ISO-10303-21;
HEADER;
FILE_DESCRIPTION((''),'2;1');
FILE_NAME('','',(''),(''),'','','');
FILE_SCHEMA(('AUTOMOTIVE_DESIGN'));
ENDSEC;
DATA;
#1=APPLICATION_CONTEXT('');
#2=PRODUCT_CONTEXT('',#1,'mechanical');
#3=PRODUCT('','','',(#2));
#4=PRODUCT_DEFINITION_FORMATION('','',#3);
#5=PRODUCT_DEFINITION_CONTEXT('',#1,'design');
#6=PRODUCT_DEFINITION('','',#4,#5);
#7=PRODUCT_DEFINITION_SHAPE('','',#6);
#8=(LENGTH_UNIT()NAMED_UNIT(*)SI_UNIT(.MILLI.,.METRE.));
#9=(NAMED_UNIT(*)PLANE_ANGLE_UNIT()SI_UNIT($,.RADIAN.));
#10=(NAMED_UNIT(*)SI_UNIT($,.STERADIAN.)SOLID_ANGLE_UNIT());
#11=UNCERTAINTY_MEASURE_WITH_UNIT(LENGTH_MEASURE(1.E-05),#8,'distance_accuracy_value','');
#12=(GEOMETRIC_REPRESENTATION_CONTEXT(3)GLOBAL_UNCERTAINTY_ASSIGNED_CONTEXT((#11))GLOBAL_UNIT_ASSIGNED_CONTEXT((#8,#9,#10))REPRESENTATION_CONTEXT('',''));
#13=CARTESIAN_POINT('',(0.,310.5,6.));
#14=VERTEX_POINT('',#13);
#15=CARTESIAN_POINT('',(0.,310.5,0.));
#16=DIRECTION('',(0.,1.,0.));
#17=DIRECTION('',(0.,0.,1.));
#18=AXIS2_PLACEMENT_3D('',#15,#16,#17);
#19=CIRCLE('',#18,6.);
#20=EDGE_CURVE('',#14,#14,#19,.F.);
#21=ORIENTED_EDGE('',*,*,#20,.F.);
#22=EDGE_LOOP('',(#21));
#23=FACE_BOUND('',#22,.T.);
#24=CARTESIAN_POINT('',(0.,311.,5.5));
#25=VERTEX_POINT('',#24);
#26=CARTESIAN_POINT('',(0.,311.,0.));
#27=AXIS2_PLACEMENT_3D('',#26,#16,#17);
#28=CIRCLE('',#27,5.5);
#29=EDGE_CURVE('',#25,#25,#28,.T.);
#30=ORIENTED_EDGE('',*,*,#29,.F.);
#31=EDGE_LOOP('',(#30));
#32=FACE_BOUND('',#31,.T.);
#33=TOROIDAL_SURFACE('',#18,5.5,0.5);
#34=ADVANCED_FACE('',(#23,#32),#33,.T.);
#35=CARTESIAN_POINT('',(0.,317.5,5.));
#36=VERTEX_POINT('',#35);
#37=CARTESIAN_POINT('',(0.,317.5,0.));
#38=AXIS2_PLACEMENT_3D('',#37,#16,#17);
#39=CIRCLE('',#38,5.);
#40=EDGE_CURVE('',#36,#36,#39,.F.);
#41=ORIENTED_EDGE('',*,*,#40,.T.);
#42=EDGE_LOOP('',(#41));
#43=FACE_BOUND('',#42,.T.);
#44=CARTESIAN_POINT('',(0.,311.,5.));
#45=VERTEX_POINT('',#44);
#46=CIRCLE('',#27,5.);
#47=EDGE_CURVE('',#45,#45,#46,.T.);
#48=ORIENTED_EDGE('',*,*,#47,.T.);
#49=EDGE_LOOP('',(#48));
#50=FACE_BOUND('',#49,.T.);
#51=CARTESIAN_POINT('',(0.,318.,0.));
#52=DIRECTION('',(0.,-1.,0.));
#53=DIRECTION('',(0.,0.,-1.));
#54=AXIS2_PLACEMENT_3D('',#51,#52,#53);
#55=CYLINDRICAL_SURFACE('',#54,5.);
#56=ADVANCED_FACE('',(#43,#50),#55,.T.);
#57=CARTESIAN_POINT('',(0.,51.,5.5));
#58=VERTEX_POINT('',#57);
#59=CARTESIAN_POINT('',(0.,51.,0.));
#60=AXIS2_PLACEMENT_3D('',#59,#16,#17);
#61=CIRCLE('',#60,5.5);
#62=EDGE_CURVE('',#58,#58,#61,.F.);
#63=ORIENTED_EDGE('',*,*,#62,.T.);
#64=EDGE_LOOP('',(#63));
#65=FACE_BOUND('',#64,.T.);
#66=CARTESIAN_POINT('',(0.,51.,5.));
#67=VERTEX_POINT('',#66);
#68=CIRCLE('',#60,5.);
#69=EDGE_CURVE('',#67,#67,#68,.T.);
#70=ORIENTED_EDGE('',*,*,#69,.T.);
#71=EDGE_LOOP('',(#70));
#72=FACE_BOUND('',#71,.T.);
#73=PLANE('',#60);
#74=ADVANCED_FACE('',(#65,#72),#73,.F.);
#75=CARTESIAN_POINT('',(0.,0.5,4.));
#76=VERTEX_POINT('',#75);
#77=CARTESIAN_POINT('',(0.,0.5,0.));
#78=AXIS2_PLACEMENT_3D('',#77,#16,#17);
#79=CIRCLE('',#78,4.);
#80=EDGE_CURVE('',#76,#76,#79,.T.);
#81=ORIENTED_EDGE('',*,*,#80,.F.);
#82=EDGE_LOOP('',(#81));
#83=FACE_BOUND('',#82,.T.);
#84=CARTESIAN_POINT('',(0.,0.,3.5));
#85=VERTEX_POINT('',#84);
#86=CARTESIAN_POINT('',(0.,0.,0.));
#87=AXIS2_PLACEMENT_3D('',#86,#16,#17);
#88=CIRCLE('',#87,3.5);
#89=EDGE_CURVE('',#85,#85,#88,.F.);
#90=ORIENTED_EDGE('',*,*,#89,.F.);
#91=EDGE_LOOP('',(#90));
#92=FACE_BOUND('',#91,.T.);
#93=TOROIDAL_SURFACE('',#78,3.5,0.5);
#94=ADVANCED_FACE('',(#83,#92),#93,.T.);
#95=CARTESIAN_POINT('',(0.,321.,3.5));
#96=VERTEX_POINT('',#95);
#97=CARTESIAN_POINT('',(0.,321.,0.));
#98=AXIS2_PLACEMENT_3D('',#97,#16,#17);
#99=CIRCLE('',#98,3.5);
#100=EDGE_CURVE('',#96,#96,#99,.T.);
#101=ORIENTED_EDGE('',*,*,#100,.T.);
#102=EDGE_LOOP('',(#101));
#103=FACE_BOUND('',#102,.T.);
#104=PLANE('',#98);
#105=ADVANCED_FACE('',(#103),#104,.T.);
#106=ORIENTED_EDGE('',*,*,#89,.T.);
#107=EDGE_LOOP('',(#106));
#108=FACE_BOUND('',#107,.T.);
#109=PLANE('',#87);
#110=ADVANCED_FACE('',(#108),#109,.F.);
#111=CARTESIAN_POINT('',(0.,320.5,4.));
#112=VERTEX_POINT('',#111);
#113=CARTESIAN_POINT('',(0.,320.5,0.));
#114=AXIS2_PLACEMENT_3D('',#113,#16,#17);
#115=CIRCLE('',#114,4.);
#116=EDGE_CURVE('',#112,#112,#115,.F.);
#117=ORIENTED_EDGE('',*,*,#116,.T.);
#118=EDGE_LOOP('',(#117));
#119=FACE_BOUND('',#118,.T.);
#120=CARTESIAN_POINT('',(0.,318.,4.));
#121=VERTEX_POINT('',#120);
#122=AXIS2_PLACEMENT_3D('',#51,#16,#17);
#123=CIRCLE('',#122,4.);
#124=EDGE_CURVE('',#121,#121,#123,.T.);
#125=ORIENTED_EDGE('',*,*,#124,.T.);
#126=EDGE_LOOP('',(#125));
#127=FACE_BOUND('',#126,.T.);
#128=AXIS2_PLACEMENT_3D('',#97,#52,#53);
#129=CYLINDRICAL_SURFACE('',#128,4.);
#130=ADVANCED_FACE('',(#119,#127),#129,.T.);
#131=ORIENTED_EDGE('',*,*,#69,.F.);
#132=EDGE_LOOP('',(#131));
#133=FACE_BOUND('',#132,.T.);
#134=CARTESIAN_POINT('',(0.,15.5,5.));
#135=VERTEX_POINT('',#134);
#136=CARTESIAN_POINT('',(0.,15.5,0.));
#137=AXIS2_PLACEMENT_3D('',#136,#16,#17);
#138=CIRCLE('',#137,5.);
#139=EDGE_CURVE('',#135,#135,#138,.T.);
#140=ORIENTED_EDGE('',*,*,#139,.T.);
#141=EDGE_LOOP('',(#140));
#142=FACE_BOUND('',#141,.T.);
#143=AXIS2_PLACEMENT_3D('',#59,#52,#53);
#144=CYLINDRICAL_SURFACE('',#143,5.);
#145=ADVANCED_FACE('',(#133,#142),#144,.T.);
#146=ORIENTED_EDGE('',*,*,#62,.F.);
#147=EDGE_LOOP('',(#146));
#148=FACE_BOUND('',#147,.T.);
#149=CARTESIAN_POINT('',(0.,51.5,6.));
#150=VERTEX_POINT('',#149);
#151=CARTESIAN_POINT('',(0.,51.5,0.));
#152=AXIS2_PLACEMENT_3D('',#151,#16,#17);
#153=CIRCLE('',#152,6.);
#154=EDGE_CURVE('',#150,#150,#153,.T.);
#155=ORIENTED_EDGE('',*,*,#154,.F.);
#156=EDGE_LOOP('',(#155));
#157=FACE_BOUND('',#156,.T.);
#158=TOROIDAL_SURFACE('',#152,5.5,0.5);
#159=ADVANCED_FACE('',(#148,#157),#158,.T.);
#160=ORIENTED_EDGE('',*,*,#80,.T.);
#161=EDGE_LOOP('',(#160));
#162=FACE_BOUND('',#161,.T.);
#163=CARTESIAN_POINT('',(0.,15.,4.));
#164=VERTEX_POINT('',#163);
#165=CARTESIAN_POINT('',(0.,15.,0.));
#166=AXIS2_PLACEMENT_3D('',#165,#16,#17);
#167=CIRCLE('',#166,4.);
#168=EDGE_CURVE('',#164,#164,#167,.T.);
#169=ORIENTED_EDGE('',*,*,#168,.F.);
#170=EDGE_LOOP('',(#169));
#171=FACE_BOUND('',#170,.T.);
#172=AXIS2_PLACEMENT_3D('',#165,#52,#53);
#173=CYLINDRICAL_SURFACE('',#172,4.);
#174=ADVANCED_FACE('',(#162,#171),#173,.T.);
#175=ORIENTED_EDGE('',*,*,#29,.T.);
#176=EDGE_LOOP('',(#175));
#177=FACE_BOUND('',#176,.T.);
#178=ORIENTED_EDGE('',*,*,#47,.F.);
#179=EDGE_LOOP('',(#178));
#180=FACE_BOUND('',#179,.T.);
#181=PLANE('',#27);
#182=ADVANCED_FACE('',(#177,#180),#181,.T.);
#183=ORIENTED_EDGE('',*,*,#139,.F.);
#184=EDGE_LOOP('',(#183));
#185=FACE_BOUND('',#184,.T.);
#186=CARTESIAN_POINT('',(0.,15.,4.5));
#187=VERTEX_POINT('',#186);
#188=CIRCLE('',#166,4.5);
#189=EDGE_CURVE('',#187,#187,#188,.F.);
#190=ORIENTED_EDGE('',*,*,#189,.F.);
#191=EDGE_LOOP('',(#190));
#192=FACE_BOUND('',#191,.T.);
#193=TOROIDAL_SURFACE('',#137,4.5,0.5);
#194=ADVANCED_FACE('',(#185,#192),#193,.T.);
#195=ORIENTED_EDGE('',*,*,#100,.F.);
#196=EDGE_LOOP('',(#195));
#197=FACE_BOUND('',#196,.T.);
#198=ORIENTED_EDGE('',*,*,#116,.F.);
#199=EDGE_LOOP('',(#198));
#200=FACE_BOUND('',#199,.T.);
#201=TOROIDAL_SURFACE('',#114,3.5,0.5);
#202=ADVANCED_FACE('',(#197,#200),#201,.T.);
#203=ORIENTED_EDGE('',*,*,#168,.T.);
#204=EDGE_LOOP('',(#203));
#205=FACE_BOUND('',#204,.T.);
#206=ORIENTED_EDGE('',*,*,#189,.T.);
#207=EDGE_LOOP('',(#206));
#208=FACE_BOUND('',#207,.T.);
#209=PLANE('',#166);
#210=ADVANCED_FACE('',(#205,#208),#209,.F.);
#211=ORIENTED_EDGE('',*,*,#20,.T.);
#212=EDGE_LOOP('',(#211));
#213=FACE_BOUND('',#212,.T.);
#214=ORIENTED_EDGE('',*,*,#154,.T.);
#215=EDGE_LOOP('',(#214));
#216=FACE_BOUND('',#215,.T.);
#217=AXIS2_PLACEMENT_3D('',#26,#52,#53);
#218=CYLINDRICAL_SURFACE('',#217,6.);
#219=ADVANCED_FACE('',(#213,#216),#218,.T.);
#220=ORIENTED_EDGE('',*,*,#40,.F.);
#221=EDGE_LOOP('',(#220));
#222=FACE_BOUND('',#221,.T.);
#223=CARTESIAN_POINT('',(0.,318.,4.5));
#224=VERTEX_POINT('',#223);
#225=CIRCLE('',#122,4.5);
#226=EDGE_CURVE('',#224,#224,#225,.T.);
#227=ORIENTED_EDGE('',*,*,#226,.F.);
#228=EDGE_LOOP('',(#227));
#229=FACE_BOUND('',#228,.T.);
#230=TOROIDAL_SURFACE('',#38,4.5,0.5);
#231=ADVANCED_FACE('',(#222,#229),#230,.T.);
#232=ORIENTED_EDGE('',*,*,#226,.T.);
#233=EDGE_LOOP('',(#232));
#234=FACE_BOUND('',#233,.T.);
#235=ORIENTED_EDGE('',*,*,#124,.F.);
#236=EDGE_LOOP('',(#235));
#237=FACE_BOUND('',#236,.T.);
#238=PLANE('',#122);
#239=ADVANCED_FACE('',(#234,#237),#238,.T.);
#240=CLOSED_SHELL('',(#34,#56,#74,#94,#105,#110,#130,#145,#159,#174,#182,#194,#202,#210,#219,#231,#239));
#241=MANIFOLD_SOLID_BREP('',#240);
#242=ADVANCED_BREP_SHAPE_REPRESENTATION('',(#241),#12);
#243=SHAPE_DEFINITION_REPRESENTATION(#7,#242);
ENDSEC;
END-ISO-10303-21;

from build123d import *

# Parameters (mm, degrees)
SKETCH_1_R      = 4
EXTRUDE_1_DEPTH = 15
SKETCH_2_R      = 5
EXTRUDE_2_DEPTH = 36
SKETCH_3_R      = 6
EXTRUDE_3_DEPTH = 260
SKETCH_4_R      = 5
EXTRUDE_4_DEPTH = 7
SKETCH_5_R      = 4
EXTRUDE_5_DEPTH = 3
FILLET_1_R      = 0.5
FILLET_2_R      = 0.5
FILLET_3_R      = 0.5
FILLET_4_R      = 0.5
FILLET_5_R      = 0.5
FILLET_6_R      = 0.5


with BuildPart() as part:
    # 草图1 → 凸台-拉伸1 (new body)
    with BuildSketch(Plane(origin=(0, 0, 0), x_dir=(1, 0, 0), z_dir=(0, 1, 0))):
        Circle(SKETCH_1_R)
    extrude(amount=EXTRUDE_1_DEPTH)

    # 草图2 → 凸台-拉伸2 (add)
    with BuildSketch(Plane(origin=(0, 15, 0), x_dir=(1, 0, 0), z_dir=(0, 1, 0))):
        Circle(SKETCH_2_R)
    extrude(amount=EXTRUDE_2_DEPTH)

    # 草图3 → 凸台-拉伸3 (add)
    with BuildSketch(Plane(origin=(0, 51, 0), x_dir=(1, 0, 0), z_dir=(0, 1, 0))):
        Circle(SKETCH_3_R)
    extrude(amount=EXTRUDE_3_DEPTH)

    # 草图4 → 凸台-拉伸4 (add)
    with BuildSketch(Plane(origin=(0, 311, 0), x_dir=(1, 0, 0), z_dir=(0, 1, 0))):
        Circle(SKETCH_4_R)
    extrude(amount=EXTRUDE_4_DEPTH)

    # 草图5 → 凸台-拉伸5 (add)
    with BuildSketch(Plane(origin=(0, 318, 0), x_dir=(1, 0, 0), z_dir=(0, 1, 0))):
        Circle(SKETCH_5_R)
    extrude(amount=EXTRUDE_5_DEPTH)

    # 圆角1
    fillet_1_edges = [part.edges().sort_by_distance(p)[0] for p in [
        (-4, 321, 0),
    ]]
    fillet(fillet_1_edges, radius=FILLET_1_R)

    # 圆角2
    fillet_2_edges = [part.edges().sort_by_distance(p)[0] for p in [
        (-5, 318, 0),
    ]]
    fillet(fillet_2_edges, radius=FILLET_2_R)

    # 圆角3
    fillet_3_edges = [part.edges().sort_by_distance(p)[0] for p in [
        (-6, 311, 0),
    ]]
    fillet(fillet_3_edges, radius=FILLET_3_R)

    # 圆角4
    fillet_4_edges = [part.edges().sort_by_distance(p)[0] for p in [
        (-6, 51, 0),
    ]]
    fillet(fillet_4_edges, radius=FILLET_4_R)

    # 圆角5
    fillet_5_edges = [part.edges().sort_by_distance(p)[0] for p in [
        (-5, 15, 0),
    ]]
    fillet(fillet_5_edges, radius=FILLET_5_R)

    # 圆角6
    fillet_6_edges = [part.edges().sort_by_distance(p)[0] for p in [
        (-4, 0, 0),
    ]]
    fillet(fillet_6_edges, radius=FILLET_6_R)


solid = part.part
